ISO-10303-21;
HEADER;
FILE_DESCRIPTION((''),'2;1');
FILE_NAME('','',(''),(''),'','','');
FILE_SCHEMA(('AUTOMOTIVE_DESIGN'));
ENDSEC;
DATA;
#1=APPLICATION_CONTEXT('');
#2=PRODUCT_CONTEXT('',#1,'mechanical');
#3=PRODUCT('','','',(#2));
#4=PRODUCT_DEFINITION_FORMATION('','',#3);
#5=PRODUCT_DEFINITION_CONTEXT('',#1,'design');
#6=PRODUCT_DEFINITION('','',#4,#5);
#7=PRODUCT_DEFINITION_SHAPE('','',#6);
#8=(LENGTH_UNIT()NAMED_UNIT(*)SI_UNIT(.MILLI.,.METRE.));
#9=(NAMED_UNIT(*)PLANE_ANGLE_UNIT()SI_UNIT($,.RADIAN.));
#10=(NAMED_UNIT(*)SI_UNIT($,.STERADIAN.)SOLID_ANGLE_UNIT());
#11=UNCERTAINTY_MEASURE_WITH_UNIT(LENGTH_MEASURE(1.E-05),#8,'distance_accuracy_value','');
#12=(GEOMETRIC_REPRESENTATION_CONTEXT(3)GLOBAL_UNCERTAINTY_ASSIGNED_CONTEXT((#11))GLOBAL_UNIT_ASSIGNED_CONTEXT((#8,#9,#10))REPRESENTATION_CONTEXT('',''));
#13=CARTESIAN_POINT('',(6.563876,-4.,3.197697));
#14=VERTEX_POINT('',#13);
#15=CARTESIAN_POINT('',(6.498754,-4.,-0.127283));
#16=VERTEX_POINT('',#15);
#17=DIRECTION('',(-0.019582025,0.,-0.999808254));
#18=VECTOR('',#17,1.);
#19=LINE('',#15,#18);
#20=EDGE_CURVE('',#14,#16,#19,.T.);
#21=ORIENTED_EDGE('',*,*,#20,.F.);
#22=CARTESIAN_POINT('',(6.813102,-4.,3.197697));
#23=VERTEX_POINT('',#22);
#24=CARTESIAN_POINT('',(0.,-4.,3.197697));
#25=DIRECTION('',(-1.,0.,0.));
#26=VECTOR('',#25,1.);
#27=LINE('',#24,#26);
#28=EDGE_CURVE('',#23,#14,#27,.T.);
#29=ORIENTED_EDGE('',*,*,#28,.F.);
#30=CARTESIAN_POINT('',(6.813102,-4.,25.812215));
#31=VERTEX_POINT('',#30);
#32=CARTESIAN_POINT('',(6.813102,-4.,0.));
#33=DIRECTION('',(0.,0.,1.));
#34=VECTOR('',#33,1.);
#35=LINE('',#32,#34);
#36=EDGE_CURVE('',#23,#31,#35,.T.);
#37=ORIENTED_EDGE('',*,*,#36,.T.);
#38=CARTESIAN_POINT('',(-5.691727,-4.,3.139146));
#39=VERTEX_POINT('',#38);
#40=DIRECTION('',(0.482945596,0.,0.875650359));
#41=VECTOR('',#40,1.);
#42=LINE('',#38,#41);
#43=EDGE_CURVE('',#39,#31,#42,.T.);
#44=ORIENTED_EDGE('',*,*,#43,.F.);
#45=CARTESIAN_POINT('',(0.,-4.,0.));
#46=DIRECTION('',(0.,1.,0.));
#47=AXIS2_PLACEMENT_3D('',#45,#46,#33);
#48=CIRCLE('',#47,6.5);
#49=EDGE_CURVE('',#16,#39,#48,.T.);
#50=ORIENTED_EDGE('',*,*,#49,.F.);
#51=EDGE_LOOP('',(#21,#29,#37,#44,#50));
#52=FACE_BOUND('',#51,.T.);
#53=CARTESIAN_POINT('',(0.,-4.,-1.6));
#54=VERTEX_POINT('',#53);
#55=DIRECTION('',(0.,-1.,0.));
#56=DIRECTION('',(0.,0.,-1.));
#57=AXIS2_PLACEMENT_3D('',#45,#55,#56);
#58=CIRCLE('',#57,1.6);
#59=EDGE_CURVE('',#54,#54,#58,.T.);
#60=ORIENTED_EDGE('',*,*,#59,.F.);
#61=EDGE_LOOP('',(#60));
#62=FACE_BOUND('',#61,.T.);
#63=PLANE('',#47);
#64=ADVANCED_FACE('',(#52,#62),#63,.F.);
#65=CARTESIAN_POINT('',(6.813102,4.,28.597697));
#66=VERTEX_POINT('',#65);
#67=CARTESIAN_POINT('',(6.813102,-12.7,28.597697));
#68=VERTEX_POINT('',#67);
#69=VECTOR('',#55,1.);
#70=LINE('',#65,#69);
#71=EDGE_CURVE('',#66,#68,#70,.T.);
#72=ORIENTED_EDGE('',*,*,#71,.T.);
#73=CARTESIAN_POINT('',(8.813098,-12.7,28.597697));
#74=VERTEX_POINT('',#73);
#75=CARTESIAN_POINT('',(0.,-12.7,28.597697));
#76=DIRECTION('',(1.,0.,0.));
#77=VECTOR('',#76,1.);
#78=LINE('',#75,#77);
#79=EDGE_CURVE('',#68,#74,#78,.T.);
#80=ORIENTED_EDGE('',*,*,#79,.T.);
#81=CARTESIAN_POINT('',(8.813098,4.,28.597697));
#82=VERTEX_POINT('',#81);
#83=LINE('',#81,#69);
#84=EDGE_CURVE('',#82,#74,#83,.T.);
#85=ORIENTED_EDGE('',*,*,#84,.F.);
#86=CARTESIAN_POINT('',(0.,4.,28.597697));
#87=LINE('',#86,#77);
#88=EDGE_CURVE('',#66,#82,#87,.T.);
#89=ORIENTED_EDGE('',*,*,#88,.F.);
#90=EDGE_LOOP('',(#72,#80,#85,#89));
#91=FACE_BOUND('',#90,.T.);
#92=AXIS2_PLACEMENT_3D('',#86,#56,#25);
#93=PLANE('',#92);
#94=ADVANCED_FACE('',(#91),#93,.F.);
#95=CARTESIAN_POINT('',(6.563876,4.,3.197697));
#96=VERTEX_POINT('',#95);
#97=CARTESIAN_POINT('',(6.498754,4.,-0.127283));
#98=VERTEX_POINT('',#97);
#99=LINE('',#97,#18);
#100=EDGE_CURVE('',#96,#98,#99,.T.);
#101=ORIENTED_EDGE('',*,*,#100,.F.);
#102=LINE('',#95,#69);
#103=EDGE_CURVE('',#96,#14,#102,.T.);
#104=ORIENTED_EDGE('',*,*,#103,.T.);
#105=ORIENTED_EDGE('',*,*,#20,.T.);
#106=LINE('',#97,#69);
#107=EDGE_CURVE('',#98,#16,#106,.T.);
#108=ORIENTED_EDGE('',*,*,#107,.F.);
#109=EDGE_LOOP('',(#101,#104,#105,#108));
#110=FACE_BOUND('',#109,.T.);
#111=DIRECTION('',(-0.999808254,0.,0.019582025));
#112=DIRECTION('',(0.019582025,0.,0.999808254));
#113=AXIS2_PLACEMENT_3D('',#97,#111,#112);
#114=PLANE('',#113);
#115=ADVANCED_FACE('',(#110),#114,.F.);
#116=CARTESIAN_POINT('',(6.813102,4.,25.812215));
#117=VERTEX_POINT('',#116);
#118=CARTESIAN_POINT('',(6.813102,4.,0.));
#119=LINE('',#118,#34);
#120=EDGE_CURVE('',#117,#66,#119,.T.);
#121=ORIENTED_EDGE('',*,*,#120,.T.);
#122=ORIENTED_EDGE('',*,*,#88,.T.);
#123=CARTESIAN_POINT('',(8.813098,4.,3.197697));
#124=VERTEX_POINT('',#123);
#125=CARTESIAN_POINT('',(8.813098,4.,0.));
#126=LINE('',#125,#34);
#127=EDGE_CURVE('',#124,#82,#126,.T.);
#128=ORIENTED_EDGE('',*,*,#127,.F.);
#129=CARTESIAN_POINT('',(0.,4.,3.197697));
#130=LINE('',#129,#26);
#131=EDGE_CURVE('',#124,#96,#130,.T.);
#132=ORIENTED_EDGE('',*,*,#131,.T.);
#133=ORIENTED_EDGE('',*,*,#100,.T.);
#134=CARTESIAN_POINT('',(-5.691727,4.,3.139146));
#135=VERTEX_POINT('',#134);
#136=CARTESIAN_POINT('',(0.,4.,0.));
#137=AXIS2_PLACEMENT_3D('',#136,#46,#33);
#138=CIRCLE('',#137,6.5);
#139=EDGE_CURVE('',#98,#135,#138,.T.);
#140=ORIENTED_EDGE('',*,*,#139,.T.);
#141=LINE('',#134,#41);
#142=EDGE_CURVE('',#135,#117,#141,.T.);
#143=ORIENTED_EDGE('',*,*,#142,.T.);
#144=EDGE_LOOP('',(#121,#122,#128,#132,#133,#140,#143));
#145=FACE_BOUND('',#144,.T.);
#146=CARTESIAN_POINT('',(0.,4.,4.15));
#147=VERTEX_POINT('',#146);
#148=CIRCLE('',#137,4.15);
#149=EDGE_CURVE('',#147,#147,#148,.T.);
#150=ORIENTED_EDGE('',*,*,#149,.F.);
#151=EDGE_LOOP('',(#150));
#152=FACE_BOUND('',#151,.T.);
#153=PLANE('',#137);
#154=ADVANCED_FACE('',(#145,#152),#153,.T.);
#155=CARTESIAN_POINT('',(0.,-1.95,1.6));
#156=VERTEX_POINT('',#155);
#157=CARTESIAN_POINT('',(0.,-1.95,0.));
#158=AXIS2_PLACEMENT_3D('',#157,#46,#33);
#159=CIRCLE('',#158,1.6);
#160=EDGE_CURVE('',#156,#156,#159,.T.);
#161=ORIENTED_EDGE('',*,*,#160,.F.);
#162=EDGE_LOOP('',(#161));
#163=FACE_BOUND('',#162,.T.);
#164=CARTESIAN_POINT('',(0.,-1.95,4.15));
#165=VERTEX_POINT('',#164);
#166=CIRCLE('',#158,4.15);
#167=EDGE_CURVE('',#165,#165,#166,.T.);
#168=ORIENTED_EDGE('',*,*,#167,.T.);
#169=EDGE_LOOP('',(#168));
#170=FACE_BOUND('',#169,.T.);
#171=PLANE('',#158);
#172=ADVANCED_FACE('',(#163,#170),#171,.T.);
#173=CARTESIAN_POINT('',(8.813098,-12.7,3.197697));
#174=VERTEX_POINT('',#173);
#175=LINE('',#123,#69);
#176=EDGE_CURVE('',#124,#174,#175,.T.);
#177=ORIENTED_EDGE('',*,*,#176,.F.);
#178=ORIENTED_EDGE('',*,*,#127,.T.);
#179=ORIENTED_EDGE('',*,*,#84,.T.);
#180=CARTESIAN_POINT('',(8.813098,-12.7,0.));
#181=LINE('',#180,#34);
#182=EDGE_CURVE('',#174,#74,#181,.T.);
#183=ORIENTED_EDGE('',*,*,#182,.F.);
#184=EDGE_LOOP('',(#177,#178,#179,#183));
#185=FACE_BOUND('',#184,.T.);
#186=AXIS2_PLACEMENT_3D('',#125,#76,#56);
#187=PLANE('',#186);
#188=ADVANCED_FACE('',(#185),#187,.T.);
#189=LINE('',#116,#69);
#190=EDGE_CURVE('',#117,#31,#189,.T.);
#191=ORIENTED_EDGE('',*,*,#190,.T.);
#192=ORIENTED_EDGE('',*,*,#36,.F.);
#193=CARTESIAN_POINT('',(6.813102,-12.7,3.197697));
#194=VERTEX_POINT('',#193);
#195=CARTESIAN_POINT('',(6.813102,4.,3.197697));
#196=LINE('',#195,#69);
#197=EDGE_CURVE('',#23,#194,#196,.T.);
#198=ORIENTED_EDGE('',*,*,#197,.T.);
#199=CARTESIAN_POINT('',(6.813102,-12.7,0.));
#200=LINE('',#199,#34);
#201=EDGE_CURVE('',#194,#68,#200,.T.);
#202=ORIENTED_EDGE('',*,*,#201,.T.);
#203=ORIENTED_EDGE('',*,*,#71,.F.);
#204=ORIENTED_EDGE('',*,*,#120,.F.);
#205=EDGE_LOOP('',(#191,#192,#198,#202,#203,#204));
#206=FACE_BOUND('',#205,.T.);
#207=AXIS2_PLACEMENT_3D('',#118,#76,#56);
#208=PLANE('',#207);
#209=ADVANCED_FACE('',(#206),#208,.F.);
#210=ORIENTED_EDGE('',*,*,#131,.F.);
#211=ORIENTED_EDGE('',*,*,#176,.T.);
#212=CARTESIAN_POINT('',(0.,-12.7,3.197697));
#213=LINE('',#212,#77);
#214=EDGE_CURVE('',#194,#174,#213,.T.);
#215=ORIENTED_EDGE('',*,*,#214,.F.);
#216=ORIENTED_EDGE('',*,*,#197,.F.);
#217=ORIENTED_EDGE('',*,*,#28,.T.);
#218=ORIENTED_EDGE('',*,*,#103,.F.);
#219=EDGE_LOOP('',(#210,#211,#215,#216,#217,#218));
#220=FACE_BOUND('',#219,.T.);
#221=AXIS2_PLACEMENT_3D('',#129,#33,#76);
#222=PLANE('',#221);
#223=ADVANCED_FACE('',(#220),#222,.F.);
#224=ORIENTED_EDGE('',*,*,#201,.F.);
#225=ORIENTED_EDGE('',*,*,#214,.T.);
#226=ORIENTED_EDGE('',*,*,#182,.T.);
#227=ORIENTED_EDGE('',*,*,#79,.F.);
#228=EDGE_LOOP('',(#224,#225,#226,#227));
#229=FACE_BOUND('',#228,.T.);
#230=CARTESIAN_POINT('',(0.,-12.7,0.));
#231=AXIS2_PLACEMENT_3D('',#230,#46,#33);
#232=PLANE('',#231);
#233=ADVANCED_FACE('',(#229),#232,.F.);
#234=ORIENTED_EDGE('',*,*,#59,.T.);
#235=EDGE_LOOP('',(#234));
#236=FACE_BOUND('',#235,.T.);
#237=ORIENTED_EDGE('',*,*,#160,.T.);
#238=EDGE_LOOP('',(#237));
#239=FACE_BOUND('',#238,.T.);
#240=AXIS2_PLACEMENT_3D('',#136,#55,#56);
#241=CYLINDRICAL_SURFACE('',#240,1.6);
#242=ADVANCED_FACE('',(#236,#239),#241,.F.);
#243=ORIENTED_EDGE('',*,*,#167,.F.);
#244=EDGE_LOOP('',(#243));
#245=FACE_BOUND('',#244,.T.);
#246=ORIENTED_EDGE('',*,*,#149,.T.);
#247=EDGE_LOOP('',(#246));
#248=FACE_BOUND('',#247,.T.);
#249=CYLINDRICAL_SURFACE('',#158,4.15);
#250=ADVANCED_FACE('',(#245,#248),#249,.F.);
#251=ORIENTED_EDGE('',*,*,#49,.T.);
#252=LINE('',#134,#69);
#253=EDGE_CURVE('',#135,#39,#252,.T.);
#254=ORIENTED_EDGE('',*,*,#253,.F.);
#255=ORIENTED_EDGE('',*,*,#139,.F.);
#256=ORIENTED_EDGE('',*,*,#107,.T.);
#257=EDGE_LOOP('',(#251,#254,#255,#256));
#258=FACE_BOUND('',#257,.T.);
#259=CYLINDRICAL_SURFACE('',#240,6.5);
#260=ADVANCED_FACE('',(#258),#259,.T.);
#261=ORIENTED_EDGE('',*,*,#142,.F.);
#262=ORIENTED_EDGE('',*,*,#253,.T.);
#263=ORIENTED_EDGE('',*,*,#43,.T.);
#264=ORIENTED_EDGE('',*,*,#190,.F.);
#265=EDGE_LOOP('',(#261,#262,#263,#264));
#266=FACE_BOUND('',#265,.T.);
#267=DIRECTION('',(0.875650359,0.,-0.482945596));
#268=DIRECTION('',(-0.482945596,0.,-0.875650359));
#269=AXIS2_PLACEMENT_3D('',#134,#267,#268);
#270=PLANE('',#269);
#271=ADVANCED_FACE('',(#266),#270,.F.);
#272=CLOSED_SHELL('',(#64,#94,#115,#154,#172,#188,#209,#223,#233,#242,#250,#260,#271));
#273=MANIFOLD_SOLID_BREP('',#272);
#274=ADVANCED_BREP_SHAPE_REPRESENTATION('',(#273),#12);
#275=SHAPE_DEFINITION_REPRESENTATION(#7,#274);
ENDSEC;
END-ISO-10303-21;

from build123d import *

# Parameters (mm, degrees)
BOSS_EXTRUDE1_DEPTH      = 4
BOSS_EXTRUDE2_DEPTH      = 4
BOSS_EXTRUDE2_DEPTH_BACK = 12.7
CUT_EXTRUDE1_START       = -8
SKETCH2_R                = 4.15
CUT_EXTRUDE1_DEPTH       = 5.95
SKETCH3_R                = 1.6
CUT_EXTRUDE2_DEPTH       = 32.16390509


with BuildPart() as part:
    # Sketch1 → Boss-Extrude1 (new, symmetric)
    with BuildSketch(Plane(origin=(0, 0, 0), x_dir=(1, 0, 0), z_dir=(0, 1, 0))):
        with BuildLine():
            ThreePointArc((6.498753649, 0.127283164), (-1.682323793, 6.278517871), (-5.691727336, -3.139146371))
            ThreePointArc((-5.691727336, -3.139146371), (1.620767152, -6.294689336), (6.5, 0))
            ThreePointArc((6.5, 0), (6.499688405, 0.063644633), (6.498753649, 0.127283164))
        make_face()
        with BuildLine():
            ThreePointArc((6.5, 0), (1.620767152, -6.294689336), (-5.691727336, -3.139146371))
            Line((-5.691727336, -3.139146371), (2.048950522, -17.174117205))
            ThreePointArc((2.048950522, -17.174117205), (4.906448368, -18.407206302), (6.813102435, -15.947435392))
            ThreePointArc((6.813102435, -15.947435392), (6.812980673, -15.922565028), (6.812615399, -15.897697048))
            Line((6.812615399, -15.897697048), (6.563875983, -3.197697048))
            Line((6.563875983, -3.197697048), (6.498753649, 0.127283164))
            ThreePointArc((6.498753649, 0.127283164), (6.499688405, 0.063644633), (6.5, 0))
        make_face()
        with BuildLine():
            ThreePointArc((6.812615399, -15.897697048), (6.812980673, -15.922565028), (6.813102435, -15.947435392))
            Line((6.813102435, -15.947435392), (6.813102435, -3.197697048))
            Line((6.813102435, -3.197697048), (6.563875983, -3.197697048))
            Line((6.563875983, -3.197697048), (6.812615399, -15.897697048))
        make_face()
        with BuildLine():
            ThreePointArc((6.813102435, -15.947435392), (4.906448368, -18.407206302), (2.048950522, -17.174117205))
            Line((2.048950522, -17.174117205), (6.813102435, -25.812215104))
            Line((6.813102435, -25.812215104), (6.813102435, -15.947435392))
        make_face()
    extrude(amount=BOSS_EXTRUDE1_DEPTH, both=True)

    # Sketch1<3> → Boss-Extrude2 (add, two sides: drawn at the far end of the back side and taken through both)
    with BuildSketch(Plane(origin=(0, 0, 0), x_dir=(1, 0, 0), z_dir=(0, 1, 0)).offset(-BOSS_EXTRUDE2_DEPTH_BACK)):
        Polygon((6.813102435, -15.947435392), (6.813102435, -25.812215104), (6.813102435, -28.597697048), (8.813098435, -28.597697048), (8.813098435, -3.197697048), (6.813102435, -3.197697048), align=None)
    extrude(amount=BOSS_EXTRUDE2_DEPTH + BOSS_EXTRUDE2_DEPTH_BACK)

    # Sketch2 → Cut-Extrude1 (cut)
    with BuildSketch(Plane.XZ.offset(4).offset(CUT_EXTRUDE1_START)):
        with Locations(Location((0, 0, 0), (0, 0, 90))):
            Circle(SKETCH2_R)
    extrude(amount=CUT_EXTRUDE1_DEPTH, mode=Mode.SUBTRACT)

    # Sketch3 → Cut-Extrude2 (cut, through all)
    with BuildSketch(Plane.XZ.offset(4)):
        with Locations(Location((0, 0, 0), (0, 0, 270))):
            Circle(SKETCH3_R)
    extrude(amount=-CUT_EXTRUDE2_DEPTH, mode=Mode.SUBTRACT)


solid = part.part
